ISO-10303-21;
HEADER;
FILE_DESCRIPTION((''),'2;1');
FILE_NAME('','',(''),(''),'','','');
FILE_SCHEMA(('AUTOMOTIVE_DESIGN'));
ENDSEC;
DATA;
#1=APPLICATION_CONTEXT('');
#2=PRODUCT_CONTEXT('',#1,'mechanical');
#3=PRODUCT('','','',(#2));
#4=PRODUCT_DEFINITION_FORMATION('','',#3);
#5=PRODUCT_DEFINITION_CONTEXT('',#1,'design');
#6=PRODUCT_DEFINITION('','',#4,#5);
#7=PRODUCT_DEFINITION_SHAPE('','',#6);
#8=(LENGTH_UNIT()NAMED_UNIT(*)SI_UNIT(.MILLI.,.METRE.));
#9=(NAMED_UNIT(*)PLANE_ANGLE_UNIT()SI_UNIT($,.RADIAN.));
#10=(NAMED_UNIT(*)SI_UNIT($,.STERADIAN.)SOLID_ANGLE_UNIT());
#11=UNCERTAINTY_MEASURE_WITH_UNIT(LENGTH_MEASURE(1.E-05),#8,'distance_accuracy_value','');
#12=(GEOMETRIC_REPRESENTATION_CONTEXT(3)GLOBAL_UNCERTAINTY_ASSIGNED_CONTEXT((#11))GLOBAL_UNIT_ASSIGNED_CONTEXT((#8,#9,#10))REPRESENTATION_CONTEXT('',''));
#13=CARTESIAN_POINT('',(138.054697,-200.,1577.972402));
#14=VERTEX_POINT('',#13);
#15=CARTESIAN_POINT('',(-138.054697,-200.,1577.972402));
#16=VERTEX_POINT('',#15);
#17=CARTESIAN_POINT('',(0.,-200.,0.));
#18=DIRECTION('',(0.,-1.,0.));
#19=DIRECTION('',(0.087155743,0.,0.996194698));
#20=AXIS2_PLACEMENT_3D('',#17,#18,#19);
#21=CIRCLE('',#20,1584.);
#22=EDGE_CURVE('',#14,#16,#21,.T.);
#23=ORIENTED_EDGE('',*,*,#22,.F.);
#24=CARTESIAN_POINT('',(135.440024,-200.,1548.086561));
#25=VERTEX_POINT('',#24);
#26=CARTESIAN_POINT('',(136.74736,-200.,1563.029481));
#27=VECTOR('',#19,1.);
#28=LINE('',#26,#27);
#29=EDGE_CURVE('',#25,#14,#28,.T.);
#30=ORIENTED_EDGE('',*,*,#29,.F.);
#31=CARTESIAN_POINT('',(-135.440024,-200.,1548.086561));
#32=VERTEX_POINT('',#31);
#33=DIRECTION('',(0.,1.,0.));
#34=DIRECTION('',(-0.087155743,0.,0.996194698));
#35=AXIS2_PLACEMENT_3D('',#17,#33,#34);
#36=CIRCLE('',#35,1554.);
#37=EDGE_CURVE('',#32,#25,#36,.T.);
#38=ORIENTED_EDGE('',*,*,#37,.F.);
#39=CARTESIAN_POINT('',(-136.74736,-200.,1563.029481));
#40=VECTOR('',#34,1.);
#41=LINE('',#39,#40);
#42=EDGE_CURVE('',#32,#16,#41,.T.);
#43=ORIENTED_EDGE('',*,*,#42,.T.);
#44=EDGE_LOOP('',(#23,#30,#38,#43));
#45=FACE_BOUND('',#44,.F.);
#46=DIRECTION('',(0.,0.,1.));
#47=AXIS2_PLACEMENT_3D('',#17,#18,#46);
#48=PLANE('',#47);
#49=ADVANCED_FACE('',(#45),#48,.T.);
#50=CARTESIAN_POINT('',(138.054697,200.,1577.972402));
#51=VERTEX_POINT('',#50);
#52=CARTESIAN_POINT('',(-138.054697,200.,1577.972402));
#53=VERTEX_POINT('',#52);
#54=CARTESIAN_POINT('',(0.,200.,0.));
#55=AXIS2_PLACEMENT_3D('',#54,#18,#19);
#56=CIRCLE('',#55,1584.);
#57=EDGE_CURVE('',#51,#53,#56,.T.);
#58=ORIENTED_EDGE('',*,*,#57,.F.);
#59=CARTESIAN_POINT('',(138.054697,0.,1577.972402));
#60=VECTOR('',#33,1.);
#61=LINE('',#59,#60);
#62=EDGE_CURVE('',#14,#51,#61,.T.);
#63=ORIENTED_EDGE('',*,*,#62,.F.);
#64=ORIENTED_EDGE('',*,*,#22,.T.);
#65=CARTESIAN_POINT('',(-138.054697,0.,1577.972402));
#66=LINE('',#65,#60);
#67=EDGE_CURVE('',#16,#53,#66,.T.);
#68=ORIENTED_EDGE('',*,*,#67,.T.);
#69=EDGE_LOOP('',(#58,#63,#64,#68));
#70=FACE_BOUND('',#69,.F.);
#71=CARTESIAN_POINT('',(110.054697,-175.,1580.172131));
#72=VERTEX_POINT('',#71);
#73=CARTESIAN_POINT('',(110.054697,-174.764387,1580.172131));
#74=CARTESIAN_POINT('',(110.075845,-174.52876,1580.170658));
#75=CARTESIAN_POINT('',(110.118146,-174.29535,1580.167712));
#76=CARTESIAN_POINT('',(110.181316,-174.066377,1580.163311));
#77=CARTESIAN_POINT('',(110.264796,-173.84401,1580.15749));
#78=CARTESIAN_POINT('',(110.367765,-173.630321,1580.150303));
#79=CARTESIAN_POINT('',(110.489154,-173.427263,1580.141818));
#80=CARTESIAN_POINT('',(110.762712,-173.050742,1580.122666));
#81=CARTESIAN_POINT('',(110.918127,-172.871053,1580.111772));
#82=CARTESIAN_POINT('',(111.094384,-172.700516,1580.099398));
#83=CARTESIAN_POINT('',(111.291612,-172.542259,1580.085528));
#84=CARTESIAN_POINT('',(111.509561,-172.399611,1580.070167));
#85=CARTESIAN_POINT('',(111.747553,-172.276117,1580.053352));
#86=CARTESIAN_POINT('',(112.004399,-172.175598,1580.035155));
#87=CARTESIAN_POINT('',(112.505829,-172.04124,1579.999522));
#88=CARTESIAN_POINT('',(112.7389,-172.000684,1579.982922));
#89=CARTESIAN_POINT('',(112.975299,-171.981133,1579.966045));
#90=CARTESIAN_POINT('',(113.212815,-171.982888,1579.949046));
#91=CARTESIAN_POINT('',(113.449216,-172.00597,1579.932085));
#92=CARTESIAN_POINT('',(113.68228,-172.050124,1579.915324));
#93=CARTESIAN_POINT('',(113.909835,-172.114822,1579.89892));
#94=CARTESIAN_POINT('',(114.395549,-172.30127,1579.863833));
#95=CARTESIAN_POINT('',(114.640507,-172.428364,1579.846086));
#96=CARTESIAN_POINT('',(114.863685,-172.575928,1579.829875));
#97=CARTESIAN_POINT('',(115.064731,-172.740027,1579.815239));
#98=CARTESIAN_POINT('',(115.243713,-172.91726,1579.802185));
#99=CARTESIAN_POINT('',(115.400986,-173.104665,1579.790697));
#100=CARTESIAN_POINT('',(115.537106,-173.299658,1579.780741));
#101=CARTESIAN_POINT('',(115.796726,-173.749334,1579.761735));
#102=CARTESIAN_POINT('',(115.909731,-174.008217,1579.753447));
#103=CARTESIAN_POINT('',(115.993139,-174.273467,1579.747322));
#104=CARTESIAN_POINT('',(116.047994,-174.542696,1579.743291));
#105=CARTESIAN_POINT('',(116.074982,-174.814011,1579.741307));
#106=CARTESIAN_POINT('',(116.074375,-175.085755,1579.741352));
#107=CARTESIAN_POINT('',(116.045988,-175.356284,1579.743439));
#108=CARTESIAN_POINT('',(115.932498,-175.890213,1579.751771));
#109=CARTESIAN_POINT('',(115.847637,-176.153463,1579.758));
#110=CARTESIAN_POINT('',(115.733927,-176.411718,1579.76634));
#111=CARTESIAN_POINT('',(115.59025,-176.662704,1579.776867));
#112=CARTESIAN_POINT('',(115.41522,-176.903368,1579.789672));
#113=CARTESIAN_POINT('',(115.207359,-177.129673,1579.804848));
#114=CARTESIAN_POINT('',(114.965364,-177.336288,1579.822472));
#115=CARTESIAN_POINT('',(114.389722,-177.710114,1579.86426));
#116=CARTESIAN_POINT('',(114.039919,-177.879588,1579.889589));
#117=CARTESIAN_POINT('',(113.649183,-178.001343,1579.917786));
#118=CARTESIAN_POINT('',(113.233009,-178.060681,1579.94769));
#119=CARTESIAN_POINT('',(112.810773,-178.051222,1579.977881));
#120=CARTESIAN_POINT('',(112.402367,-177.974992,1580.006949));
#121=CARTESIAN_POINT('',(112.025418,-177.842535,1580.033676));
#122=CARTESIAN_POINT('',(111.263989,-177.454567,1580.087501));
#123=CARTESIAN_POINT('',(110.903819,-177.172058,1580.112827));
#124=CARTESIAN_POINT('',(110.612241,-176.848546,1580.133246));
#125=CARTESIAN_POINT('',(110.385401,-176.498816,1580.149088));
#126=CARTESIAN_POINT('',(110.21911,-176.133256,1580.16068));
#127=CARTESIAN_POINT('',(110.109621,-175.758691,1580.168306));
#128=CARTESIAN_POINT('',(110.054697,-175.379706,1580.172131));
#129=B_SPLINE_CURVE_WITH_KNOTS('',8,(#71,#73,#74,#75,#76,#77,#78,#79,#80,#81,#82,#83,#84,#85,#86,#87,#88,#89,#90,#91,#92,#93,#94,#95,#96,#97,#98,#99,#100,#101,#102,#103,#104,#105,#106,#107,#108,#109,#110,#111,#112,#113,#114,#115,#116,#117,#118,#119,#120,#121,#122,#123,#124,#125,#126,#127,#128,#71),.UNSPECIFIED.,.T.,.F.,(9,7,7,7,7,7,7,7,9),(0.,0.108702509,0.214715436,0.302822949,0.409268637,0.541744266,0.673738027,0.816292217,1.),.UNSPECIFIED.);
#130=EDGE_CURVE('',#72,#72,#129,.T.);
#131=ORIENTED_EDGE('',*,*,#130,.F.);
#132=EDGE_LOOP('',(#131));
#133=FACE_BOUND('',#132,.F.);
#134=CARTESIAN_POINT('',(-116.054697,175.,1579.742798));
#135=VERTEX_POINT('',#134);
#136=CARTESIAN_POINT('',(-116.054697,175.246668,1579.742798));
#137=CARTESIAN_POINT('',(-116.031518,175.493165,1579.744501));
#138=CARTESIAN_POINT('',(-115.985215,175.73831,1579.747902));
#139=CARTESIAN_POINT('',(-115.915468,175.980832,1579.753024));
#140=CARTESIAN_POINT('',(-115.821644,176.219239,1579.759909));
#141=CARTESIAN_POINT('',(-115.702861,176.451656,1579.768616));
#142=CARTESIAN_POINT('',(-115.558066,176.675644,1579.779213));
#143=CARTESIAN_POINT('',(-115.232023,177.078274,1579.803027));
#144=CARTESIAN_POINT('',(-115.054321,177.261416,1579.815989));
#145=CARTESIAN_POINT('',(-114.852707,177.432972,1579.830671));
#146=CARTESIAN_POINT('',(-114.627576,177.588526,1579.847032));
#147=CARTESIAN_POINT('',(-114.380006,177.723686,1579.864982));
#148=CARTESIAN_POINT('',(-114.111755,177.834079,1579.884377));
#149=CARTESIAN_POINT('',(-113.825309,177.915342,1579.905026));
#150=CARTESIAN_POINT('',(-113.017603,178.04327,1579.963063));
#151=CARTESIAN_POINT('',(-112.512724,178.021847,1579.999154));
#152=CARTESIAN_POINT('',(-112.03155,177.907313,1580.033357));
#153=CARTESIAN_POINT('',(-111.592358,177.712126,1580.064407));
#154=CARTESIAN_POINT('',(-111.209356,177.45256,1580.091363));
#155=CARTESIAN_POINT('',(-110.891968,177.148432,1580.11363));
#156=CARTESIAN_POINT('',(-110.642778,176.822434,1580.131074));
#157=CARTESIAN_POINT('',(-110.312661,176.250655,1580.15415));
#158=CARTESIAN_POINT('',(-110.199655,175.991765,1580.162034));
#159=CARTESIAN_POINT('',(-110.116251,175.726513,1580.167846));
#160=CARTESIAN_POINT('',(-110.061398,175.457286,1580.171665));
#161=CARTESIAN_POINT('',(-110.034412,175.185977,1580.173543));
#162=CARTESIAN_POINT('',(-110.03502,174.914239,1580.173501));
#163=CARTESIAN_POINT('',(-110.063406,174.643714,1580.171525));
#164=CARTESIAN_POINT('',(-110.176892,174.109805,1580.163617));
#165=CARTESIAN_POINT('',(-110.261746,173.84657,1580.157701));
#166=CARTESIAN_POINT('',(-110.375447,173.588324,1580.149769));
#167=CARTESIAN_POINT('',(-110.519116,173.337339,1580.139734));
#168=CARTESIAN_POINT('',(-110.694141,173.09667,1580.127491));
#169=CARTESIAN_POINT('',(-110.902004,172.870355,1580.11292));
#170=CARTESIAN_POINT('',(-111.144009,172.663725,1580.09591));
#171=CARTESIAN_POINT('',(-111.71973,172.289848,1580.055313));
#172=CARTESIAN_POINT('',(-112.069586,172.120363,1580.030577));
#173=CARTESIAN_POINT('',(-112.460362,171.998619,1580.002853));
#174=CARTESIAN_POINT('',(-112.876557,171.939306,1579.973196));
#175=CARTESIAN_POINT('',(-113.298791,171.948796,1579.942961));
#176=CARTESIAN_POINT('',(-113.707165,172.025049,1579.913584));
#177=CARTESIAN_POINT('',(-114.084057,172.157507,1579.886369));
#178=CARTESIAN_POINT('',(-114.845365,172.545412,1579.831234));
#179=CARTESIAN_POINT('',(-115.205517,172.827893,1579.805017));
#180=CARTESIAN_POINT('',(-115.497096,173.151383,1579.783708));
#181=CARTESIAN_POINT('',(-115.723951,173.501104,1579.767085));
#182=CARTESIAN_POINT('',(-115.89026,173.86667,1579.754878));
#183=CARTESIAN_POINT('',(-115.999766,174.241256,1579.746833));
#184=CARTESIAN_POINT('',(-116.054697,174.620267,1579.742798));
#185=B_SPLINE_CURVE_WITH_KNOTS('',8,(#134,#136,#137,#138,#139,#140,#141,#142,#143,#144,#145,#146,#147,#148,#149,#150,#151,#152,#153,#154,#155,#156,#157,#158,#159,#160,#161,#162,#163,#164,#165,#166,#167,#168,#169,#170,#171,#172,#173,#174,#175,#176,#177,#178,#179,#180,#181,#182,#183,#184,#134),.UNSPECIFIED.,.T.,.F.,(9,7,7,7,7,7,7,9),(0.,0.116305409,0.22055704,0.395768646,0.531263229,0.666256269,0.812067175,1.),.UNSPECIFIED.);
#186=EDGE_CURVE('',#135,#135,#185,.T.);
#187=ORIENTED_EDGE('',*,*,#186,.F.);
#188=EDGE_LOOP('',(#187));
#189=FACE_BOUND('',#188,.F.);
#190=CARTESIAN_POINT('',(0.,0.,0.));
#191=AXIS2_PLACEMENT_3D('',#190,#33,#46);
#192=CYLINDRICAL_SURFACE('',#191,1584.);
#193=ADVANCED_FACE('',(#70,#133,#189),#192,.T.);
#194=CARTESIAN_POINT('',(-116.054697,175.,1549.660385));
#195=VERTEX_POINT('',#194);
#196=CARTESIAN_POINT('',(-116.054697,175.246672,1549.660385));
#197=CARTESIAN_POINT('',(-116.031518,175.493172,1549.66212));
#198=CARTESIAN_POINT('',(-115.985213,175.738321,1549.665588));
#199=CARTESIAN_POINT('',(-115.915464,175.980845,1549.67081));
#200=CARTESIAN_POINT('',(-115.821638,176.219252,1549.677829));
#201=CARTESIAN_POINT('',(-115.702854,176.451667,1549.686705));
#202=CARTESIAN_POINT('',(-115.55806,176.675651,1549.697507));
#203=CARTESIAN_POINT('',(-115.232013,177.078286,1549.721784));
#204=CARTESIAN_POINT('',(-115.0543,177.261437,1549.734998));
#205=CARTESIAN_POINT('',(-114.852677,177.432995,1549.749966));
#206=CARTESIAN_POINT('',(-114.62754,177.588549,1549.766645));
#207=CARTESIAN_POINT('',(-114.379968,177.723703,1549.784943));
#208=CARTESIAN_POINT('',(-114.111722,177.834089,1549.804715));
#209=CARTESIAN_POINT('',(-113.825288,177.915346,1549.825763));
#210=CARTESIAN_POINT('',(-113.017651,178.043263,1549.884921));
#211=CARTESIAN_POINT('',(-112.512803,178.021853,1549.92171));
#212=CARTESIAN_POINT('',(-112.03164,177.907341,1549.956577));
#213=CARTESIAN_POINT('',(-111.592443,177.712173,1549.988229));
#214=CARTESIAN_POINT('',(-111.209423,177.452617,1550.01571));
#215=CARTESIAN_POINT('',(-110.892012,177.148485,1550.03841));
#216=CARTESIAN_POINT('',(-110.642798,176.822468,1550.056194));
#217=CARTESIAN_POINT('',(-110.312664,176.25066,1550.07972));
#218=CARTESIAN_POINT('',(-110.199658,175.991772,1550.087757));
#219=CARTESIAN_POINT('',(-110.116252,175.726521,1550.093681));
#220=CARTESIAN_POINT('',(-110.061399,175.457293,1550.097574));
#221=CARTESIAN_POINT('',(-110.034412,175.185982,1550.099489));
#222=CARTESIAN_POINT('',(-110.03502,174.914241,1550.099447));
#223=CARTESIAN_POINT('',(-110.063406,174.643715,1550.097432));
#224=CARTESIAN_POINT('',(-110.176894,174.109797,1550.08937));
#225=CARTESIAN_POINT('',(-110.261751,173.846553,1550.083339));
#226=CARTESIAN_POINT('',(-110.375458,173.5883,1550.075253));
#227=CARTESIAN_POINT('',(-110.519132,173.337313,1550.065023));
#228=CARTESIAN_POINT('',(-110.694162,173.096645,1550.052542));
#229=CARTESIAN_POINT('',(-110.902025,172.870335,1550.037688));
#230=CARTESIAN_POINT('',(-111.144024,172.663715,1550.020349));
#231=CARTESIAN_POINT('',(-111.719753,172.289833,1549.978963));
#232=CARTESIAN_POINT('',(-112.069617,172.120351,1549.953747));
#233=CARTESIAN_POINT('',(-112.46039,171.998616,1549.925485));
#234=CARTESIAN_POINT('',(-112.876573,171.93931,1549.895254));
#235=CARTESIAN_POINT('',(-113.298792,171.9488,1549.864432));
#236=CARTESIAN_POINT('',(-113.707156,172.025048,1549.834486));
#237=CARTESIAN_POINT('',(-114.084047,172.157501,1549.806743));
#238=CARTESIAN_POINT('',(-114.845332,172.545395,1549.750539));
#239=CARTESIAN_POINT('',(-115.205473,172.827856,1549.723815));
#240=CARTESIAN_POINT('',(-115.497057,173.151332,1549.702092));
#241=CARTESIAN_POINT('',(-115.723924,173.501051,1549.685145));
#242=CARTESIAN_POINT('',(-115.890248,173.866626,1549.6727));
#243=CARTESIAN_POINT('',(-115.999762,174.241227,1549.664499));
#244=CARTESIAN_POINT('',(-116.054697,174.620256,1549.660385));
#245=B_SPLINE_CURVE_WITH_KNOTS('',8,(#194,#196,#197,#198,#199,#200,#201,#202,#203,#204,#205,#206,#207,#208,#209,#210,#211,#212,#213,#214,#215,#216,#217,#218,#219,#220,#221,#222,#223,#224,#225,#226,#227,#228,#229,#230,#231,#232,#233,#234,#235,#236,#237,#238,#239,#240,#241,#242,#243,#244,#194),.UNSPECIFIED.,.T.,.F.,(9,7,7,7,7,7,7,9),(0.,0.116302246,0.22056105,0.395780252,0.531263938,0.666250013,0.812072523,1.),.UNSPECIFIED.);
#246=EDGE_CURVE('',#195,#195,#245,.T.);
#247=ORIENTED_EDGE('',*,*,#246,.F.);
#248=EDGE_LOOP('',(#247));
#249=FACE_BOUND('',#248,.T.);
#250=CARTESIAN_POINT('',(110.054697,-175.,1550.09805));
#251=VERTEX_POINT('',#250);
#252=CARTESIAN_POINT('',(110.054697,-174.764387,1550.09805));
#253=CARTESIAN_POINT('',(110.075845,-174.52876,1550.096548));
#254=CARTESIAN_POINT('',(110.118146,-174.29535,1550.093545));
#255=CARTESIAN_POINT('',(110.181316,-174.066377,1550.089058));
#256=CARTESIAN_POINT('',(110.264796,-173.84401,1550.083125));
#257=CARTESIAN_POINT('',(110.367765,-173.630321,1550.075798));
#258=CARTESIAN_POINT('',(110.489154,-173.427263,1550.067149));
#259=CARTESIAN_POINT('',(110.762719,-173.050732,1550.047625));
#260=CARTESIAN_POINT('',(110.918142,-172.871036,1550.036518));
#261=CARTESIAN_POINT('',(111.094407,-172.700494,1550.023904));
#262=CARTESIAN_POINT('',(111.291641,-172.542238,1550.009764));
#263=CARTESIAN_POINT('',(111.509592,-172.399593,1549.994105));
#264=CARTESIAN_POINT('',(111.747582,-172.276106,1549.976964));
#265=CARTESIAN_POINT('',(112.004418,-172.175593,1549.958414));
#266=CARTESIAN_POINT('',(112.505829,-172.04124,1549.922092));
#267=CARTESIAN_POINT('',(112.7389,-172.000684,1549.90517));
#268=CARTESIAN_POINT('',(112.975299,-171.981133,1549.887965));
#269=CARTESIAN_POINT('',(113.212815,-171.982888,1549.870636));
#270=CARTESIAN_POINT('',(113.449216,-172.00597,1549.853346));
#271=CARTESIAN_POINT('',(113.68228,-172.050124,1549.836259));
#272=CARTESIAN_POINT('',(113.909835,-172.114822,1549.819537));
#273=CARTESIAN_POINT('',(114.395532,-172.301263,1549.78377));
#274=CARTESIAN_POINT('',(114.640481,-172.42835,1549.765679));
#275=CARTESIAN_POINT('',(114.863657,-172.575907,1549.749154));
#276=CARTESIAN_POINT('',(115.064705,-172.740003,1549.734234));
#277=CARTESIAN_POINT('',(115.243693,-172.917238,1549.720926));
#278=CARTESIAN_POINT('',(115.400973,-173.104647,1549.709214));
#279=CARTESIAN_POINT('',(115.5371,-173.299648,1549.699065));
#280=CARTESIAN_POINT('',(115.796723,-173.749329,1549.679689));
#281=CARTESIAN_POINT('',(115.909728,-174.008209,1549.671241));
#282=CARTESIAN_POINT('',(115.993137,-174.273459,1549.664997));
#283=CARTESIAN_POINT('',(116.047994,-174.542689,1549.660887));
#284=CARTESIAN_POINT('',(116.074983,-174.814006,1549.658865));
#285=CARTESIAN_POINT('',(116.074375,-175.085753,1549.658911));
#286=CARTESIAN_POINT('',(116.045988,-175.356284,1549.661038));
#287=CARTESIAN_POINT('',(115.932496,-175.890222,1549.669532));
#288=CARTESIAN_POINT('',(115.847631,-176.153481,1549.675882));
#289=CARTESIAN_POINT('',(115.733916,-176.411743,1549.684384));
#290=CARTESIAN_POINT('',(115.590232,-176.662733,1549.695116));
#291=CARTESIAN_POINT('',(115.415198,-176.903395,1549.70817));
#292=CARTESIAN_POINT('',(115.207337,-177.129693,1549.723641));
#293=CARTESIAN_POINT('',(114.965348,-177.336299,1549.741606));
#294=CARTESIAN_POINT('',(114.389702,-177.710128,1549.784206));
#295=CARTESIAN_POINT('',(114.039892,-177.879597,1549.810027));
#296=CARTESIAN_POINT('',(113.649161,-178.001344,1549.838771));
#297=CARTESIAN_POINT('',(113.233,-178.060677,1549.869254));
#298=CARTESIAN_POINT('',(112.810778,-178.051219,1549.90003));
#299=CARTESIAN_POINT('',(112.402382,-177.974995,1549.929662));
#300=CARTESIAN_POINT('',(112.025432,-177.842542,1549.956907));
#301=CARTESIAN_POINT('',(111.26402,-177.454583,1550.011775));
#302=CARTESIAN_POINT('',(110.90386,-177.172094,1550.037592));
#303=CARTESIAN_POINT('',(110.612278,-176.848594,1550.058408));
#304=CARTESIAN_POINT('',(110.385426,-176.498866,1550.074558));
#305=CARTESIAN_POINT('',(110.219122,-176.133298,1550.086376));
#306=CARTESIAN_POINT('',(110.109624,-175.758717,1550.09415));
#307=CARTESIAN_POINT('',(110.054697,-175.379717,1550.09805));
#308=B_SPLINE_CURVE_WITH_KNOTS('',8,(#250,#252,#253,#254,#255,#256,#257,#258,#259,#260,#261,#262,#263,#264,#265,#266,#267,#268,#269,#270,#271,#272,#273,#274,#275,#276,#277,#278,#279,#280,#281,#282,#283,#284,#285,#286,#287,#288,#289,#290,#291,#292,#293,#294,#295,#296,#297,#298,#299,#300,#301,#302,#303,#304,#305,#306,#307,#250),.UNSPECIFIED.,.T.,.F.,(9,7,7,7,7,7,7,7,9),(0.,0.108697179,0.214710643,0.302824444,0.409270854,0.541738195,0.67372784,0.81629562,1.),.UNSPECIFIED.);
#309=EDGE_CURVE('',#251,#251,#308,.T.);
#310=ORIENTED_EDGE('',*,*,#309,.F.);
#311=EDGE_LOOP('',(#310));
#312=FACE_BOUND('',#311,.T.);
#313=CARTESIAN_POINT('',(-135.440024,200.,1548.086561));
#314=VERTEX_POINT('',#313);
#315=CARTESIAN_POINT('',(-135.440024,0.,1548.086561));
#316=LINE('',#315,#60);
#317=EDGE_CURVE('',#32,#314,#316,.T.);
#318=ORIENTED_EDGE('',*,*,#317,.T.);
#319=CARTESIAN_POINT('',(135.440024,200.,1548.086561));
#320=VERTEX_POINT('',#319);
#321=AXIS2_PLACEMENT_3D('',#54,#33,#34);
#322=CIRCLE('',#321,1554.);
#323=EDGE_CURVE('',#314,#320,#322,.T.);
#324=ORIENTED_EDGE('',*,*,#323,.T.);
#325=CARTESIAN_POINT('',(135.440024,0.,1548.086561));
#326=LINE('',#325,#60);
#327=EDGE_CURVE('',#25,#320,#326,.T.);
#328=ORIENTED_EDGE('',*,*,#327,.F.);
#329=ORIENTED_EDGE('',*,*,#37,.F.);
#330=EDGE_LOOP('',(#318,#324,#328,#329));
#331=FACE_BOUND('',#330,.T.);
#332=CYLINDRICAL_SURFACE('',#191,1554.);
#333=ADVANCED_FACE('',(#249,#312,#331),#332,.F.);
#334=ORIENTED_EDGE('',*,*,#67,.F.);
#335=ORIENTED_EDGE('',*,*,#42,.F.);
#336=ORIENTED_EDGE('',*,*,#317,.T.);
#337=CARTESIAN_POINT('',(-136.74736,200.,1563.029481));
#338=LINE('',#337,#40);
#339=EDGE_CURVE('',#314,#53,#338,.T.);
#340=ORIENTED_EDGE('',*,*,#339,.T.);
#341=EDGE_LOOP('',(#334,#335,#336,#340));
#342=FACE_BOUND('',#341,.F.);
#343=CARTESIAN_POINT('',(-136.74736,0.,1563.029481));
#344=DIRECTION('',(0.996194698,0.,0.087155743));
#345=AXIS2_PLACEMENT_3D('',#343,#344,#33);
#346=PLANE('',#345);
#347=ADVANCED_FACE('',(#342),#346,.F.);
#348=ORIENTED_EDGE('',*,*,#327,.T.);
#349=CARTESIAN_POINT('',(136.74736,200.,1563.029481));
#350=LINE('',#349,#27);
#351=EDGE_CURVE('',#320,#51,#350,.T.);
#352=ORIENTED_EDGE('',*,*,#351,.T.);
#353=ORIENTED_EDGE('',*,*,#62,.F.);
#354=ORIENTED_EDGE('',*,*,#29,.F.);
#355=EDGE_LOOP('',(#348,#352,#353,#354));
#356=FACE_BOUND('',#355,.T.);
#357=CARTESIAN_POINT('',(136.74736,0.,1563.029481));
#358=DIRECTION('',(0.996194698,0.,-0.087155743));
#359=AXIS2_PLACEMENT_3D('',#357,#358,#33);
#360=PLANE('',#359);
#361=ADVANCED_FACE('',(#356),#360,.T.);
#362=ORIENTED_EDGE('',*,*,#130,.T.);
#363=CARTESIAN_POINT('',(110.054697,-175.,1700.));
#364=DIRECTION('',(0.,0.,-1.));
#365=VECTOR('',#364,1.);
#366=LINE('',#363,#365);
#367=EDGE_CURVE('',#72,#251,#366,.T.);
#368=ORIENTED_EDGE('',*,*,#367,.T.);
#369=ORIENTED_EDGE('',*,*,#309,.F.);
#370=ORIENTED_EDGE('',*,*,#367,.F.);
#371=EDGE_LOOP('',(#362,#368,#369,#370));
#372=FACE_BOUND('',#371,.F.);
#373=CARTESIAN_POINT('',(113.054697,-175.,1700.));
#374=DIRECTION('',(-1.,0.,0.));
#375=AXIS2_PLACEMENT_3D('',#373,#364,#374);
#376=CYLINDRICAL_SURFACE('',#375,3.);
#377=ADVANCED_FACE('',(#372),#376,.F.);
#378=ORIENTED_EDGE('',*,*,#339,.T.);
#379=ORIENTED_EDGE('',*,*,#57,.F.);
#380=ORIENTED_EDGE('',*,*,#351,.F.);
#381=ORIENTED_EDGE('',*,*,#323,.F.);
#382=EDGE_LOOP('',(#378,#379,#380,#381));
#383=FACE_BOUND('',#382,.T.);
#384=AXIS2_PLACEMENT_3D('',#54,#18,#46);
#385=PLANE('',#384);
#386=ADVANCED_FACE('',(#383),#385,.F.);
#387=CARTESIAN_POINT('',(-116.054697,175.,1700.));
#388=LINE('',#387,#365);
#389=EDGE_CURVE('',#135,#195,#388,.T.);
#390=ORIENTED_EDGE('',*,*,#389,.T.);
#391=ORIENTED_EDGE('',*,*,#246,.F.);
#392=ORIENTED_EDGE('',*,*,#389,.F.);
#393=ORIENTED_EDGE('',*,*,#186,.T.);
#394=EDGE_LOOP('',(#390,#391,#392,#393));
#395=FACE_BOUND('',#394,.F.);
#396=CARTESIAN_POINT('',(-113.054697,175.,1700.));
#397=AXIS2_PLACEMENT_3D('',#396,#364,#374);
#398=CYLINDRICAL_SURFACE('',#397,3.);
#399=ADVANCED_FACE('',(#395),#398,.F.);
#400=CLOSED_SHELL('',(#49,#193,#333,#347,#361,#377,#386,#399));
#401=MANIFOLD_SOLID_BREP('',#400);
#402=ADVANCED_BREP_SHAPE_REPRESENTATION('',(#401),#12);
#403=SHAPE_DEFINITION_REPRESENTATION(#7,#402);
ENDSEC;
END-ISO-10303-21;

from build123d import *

# Parameters (mm, degrees)
F0_W     = 400
F0_H     = 30
F1_ANGLE = 10
F4_D     = 6
F4_DEPTH = 100


with BuildPart() as f1:
    # F0 (on Right) → F1 (revolve, symmetric)
    with BuildSketch(Plane.YZ) as f1_sk:
        with Locations((0, 1569)):
            Rectangle(F0_W, F0_H)
    revolve(axis=Axis((0, -0.207613, 0), (0, 1, 0)), revolution_arc=F1_ANGLE / 2)
    revolve(f1_sk.sketch, axis=Axis((0, -0.207613, 0), (0, -1, 0)), revolution_arc=F1_ANGLE / 2)

    # F4
    with Locations(Plane.XY.offset(1600)):
        with Locations((-113.054697, 175), (113.054697, -175)):
            Hole(F4_D / 2, depth=F4_DEPTH)


solid = f1.part
